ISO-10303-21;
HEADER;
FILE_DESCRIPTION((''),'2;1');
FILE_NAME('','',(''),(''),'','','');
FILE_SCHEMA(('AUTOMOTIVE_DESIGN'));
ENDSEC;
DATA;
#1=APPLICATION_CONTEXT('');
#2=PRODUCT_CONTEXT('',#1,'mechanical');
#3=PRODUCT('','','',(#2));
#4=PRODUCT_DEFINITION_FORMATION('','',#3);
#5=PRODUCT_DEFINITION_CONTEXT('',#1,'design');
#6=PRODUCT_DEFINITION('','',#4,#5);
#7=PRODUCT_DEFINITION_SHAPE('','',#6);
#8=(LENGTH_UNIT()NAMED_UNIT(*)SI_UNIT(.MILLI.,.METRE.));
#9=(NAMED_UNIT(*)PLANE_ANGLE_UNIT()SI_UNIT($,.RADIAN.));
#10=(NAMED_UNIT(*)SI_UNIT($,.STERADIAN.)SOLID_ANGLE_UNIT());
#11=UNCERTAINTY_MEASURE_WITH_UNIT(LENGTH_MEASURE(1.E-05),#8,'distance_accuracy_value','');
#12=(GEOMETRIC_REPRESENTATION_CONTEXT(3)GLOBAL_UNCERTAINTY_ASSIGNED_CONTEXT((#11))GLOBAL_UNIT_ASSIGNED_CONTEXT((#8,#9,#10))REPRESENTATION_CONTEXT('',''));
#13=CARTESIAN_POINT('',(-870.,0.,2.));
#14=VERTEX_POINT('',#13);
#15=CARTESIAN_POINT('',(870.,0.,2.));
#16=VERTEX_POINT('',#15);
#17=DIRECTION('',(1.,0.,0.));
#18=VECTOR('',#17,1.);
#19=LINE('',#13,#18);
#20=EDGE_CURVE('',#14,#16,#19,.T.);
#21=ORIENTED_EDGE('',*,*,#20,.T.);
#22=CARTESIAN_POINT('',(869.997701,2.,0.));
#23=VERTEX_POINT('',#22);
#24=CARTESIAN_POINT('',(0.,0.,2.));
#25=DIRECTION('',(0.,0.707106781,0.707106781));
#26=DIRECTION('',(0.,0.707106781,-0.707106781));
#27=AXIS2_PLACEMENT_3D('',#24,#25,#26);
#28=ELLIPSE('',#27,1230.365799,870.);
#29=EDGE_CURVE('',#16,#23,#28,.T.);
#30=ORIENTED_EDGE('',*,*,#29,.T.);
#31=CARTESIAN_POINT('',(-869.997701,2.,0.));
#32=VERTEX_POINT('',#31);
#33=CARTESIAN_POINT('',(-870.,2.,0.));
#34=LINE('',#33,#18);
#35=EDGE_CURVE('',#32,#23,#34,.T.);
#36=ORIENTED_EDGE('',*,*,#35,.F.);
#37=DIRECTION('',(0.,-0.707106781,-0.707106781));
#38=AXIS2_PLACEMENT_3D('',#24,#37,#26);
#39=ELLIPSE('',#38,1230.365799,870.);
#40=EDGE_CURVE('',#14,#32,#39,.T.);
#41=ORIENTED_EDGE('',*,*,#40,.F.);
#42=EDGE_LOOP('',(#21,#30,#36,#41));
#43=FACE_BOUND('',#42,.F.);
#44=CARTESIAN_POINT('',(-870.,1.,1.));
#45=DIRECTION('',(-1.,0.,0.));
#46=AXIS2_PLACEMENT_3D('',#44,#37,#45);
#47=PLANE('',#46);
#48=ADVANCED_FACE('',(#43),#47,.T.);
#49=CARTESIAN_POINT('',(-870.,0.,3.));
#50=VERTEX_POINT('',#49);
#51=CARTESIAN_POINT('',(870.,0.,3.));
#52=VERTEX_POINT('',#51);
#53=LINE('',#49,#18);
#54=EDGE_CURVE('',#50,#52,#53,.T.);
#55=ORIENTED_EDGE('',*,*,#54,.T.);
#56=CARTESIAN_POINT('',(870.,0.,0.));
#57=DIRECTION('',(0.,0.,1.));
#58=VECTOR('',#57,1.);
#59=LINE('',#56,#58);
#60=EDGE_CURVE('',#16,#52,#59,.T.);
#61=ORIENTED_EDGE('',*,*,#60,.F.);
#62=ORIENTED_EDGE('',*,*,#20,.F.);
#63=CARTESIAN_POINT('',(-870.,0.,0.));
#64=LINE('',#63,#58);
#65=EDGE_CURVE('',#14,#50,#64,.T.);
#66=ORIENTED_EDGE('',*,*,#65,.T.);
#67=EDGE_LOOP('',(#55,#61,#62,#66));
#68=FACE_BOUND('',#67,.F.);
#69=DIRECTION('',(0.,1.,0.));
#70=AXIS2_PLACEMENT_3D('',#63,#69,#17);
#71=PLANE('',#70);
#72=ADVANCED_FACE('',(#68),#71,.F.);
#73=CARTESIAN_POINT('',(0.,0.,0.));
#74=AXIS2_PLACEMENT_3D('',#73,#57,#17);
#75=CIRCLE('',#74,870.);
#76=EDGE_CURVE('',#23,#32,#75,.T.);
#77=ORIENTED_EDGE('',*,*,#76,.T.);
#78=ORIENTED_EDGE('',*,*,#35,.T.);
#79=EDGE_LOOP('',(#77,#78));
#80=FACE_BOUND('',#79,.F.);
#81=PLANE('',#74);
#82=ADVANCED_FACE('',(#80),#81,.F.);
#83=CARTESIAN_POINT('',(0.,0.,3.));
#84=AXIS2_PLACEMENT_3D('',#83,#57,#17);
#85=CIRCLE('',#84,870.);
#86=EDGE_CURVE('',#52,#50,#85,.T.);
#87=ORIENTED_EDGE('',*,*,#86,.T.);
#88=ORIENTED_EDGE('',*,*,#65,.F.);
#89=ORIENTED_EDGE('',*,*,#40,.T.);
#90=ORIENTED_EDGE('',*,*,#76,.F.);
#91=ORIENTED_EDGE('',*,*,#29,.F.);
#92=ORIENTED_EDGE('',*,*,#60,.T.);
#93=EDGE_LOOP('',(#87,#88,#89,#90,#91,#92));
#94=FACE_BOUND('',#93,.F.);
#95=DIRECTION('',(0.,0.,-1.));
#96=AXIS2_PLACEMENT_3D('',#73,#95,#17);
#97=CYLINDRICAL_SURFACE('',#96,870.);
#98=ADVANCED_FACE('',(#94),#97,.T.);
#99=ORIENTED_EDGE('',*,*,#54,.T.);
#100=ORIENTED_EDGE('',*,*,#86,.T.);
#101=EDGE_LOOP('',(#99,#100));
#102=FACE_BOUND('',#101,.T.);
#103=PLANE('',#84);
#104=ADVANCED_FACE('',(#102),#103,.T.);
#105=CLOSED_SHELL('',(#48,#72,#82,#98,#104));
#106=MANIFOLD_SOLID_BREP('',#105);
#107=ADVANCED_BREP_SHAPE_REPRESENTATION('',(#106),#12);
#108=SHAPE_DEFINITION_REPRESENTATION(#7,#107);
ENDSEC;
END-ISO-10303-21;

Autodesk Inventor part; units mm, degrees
ref_plane "YZ Plane" through (0, 0, 0) normal (1, 0, 0) x (0, 1, 0)
ref_plane "XZ Plane" through (0, 0, 0) normal (0, 1, 0) x (-1, 0, 0)
ref_plane "XY Plane" through (0, 0, 0) normal (0, 0, 1) x (1, 0, 0)
sketch "Szkic1" plane through (0, 0, 0) normal (0, 0, 1) x (1, 0, 0)
  arc A0 (870, 0) -> (-870, 0) centre (0, 0) ccw
  line L0 (-870, 0) -> (870, 0)
  dimension "d0" = 1740
extrude "Płyta1" add sketch "Szkic1" along normal blind 3
chamfer "Faza1" distance 2 angle 45 1 edges at (0, 0, 0)
equation "\"d1\" = Grubość"
equation "\"PromieńGięcia\" = Grubość"
equation "\"SzerokośćGięciaPodcięcia\" = Grubość"
equation "\"GłębokośćGięciaPodcięcia\" = 0.5 * Grubość"
equation "\"RozmiarPodcięciaNarożnika\" = 4 * Grubość"
equation "\"MinimalnaPozostałość\" = 2 * Grubość"
equation "\"PromieńPrzejścia\" = PromieńGięcia"
equation "\"Rozmiar_promienia_Jacobiego\" = PromieńGięcia"
equation "\"Wielk_odstępu\" = Grubość"
equation "\"Grubość\" = 3"
properties part number "floor1" material "Stal nierdzewna"
